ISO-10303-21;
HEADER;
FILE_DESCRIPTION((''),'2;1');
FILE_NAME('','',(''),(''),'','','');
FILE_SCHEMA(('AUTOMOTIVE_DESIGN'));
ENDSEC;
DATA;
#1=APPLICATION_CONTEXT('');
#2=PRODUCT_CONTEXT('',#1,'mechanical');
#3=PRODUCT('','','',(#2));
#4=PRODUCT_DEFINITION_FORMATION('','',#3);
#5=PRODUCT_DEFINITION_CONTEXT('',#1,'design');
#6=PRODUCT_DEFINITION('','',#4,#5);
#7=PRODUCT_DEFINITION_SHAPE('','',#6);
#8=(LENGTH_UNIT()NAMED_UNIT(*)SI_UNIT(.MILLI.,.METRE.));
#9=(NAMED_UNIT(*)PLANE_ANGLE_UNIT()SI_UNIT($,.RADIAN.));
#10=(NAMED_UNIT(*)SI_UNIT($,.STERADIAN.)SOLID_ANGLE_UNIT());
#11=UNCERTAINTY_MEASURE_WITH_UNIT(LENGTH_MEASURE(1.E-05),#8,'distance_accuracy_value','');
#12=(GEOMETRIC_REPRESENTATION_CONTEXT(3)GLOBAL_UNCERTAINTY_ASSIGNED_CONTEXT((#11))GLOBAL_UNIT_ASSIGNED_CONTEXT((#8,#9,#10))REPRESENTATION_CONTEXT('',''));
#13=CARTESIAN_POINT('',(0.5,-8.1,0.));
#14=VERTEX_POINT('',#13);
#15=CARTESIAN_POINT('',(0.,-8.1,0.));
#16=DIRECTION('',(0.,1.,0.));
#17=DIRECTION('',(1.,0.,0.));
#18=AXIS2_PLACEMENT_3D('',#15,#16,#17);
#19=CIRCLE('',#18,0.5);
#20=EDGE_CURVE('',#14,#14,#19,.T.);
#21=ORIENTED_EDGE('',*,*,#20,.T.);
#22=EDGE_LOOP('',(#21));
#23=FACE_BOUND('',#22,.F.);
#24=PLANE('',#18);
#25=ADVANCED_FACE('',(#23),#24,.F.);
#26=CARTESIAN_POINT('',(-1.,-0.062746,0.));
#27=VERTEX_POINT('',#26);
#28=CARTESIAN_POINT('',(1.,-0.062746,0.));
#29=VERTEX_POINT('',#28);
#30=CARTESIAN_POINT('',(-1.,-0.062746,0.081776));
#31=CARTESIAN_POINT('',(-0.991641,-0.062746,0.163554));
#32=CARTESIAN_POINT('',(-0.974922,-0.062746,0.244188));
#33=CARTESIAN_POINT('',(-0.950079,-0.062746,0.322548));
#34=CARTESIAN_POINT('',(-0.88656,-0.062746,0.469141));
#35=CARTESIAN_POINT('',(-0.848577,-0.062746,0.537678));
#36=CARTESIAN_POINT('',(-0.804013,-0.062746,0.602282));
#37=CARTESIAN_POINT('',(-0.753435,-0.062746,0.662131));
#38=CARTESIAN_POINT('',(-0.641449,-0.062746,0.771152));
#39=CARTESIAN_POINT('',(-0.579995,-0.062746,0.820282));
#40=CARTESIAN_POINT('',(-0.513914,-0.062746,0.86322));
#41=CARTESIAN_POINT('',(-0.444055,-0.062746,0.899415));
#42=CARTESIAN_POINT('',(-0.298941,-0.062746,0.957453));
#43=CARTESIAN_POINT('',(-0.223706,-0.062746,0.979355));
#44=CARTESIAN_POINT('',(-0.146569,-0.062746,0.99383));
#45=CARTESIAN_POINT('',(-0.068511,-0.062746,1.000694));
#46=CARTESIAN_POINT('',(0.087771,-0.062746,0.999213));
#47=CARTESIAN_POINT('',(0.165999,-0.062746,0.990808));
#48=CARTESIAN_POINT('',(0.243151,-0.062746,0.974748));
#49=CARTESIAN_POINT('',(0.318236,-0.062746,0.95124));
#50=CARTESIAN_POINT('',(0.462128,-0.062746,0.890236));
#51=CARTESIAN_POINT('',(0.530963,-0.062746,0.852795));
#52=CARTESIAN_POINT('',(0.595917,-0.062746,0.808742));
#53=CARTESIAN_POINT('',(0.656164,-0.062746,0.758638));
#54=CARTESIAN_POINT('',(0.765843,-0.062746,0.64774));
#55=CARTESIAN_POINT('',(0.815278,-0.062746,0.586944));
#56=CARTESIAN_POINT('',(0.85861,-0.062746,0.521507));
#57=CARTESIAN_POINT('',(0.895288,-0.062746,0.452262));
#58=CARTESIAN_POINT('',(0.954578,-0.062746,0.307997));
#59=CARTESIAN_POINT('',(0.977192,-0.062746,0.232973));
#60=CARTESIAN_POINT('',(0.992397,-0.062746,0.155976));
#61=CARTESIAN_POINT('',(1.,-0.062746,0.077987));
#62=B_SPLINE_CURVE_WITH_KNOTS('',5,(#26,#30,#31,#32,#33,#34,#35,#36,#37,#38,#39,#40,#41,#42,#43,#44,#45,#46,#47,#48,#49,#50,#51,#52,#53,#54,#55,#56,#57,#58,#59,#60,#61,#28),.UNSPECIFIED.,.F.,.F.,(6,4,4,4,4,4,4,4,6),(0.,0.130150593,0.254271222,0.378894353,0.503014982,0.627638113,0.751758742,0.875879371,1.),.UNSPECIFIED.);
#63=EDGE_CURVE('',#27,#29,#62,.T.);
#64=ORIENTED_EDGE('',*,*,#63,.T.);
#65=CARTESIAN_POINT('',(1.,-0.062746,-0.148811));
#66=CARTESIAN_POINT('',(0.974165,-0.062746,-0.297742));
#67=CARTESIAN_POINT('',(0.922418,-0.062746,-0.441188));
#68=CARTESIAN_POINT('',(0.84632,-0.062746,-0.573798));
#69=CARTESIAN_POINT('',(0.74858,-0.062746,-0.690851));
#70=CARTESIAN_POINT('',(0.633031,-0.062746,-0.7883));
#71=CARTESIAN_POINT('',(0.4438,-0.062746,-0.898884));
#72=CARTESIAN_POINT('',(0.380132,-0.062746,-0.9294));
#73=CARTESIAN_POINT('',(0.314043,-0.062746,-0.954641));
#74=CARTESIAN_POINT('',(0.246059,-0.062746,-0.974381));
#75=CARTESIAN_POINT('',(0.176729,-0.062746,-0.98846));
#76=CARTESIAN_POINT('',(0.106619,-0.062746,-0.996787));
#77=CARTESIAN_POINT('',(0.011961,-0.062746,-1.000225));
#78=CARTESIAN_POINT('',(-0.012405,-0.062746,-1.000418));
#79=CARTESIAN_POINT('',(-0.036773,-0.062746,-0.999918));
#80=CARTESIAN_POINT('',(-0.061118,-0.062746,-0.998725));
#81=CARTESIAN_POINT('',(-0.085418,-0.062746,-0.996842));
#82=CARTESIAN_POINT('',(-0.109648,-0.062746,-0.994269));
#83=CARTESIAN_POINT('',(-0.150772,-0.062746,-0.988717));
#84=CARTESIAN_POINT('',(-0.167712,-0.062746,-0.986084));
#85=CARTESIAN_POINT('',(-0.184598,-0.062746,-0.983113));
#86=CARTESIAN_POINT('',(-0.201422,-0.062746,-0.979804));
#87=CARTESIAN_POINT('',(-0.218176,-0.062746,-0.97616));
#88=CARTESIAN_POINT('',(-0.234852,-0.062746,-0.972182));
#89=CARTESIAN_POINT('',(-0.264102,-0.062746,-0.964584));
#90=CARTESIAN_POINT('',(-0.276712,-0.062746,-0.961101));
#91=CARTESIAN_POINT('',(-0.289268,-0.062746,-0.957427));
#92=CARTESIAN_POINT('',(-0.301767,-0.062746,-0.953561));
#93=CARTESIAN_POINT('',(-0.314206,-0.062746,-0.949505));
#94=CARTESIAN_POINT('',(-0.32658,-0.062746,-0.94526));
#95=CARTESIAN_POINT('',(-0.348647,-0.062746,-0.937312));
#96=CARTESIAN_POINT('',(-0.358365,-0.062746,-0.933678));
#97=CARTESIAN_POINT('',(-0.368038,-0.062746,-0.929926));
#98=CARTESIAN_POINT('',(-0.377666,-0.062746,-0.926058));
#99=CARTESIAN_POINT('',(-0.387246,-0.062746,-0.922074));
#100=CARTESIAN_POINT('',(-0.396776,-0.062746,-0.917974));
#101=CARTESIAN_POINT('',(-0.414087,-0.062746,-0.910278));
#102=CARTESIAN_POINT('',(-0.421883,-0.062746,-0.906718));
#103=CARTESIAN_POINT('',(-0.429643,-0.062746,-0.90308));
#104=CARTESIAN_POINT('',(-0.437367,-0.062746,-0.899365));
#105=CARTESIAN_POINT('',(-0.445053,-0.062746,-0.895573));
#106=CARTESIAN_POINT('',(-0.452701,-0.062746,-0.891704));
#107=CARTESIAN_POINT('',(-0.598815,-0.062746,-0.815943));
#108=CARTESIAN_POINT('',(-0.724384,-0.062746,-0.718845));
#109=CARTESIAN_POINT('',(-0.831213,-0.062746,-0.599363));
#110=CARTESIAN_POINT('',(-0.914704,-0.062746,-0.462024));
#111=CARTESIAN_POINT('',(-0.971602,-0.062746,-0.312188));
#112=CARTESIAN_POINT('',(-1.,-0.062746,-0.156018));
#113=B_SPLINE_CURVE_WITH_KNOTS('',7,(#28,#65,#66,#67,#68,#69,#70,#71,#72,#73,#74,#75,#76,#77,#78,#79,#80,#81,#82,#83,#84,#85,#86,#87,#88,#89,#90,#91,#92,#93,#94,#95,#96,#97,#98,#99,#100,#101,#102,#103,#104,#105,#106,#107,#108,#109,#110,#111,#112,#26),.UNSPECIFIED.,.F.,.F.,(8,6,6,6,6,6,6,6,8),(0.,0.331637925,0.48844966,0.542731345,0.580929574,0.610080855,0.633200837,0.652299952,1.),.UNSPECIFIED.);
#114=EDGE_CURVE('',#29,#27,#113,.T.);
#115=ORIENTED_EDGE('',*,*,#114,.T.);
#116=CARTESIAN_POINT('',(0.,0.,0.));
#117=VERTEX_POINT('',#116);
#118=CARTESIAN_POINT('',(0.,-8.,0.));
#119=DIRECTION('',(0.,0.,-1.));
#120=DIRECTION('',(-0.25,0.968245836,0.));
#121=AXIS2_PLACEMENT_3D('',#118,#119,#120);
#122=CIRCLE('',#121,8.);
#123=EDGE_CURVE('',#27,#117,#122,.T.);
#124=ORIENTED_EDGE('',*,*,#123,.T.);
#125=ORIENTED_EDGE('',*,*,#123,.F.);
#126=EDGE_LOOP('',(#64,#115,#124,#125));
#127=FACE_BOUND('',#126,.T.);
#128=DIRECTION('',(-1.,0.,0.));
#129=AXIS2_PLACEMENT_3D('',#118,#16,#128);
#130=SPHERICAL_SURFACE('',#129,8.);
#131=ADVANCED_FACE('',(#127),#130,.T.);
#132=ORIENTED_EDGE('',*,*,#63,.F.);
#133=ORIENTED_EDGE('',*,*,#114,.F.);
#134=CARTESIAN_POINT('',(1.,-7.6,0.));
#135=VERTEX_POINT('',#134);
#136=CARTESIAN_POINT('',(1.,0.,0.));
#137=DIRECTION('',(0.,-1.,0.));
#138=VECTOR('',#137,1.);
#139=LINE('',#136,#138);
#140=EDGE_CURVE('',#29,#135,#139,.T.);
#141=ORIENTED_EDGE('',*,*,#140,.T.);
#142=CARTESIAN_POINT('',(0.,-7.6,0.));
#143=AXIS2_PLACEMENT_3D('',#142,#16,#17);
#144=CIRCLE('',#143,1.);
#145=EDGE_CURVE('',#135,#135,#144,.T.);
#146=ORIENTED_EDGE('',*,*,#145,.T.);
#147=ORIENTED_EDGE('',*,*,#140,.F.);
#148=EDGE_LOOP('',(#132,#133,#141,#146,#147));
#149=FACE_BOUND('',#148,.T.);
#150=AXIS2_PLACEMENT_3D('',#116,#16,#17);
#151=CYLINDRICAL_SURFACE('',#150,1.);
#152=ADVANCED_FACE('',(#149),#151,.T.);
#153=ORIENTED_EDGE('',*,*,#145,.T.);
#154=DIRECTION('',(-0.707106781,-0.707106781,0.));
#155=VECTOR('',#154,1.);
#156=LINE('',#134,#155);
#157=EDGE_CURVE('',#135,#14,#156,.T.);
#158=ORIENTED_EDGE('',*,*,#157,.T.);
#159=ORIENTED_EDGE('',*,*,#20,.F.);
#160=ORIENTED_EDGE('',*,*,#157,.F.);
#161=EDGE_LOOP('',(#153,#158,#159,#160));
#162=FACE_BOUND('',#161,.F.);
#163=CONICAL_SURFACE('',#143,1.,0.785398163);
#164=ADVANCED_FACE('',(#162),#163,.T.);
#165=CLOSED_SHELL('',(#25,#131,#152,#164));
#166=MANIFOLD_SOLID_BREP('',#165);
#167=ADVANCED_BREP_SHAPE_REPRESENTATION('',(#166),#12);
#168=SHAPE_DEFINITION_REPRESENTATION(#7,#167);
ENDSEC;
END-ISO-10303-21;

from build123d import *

# Parameters (mm, degrees)
SKETCH1_R                 = 1
BOSS_EXTRUDE_8_10MM_DEPTH = 8.1
F_0_5_X_45_DEG_SIZE       = 0.5


with BuildPart() as part:
    # Sketch1 → Boss-Extrude 8.10mm (new body)
    with BuildSketch(Plane(origin=(0, 0, 0), x_dir=(1, 0, 0), z_dir=(0, 1, 0))):
        Circle(SKETCH1_R)
    extrude(amount=-BOSS_EXTRUDE_8_10MM_DEPTH)

    # 0.5 x 45 deg
    f_0_5_x_45_deg_edges = [part.edges().sort_by_distance(p)[0] for p in [
        (-1, -8.1, 0),
    ]]
    chamfer(f_0_5_x_45_deg_edges, length=F_0_5_X_45_DEG_SIZE)

    # Sketch2 → SR8 (revolve, cut)
    with BuildSketch(Plane.XY):
        with BuildLine():
            Line((0, 2), (-2, 2))
            Line((-2, 2), (-2, -0.254033308))
            ThreePointArc((-2, -0.254033308), (-1.00803434, -0.06376243), (0, 0))
            Line((0, 0), (0, 2))
        make_face()
    revolve(axis=Axis((0, 0, 0), (0, 1, 0)), mode=Mode.SUBTRACT)


solid = part.part
